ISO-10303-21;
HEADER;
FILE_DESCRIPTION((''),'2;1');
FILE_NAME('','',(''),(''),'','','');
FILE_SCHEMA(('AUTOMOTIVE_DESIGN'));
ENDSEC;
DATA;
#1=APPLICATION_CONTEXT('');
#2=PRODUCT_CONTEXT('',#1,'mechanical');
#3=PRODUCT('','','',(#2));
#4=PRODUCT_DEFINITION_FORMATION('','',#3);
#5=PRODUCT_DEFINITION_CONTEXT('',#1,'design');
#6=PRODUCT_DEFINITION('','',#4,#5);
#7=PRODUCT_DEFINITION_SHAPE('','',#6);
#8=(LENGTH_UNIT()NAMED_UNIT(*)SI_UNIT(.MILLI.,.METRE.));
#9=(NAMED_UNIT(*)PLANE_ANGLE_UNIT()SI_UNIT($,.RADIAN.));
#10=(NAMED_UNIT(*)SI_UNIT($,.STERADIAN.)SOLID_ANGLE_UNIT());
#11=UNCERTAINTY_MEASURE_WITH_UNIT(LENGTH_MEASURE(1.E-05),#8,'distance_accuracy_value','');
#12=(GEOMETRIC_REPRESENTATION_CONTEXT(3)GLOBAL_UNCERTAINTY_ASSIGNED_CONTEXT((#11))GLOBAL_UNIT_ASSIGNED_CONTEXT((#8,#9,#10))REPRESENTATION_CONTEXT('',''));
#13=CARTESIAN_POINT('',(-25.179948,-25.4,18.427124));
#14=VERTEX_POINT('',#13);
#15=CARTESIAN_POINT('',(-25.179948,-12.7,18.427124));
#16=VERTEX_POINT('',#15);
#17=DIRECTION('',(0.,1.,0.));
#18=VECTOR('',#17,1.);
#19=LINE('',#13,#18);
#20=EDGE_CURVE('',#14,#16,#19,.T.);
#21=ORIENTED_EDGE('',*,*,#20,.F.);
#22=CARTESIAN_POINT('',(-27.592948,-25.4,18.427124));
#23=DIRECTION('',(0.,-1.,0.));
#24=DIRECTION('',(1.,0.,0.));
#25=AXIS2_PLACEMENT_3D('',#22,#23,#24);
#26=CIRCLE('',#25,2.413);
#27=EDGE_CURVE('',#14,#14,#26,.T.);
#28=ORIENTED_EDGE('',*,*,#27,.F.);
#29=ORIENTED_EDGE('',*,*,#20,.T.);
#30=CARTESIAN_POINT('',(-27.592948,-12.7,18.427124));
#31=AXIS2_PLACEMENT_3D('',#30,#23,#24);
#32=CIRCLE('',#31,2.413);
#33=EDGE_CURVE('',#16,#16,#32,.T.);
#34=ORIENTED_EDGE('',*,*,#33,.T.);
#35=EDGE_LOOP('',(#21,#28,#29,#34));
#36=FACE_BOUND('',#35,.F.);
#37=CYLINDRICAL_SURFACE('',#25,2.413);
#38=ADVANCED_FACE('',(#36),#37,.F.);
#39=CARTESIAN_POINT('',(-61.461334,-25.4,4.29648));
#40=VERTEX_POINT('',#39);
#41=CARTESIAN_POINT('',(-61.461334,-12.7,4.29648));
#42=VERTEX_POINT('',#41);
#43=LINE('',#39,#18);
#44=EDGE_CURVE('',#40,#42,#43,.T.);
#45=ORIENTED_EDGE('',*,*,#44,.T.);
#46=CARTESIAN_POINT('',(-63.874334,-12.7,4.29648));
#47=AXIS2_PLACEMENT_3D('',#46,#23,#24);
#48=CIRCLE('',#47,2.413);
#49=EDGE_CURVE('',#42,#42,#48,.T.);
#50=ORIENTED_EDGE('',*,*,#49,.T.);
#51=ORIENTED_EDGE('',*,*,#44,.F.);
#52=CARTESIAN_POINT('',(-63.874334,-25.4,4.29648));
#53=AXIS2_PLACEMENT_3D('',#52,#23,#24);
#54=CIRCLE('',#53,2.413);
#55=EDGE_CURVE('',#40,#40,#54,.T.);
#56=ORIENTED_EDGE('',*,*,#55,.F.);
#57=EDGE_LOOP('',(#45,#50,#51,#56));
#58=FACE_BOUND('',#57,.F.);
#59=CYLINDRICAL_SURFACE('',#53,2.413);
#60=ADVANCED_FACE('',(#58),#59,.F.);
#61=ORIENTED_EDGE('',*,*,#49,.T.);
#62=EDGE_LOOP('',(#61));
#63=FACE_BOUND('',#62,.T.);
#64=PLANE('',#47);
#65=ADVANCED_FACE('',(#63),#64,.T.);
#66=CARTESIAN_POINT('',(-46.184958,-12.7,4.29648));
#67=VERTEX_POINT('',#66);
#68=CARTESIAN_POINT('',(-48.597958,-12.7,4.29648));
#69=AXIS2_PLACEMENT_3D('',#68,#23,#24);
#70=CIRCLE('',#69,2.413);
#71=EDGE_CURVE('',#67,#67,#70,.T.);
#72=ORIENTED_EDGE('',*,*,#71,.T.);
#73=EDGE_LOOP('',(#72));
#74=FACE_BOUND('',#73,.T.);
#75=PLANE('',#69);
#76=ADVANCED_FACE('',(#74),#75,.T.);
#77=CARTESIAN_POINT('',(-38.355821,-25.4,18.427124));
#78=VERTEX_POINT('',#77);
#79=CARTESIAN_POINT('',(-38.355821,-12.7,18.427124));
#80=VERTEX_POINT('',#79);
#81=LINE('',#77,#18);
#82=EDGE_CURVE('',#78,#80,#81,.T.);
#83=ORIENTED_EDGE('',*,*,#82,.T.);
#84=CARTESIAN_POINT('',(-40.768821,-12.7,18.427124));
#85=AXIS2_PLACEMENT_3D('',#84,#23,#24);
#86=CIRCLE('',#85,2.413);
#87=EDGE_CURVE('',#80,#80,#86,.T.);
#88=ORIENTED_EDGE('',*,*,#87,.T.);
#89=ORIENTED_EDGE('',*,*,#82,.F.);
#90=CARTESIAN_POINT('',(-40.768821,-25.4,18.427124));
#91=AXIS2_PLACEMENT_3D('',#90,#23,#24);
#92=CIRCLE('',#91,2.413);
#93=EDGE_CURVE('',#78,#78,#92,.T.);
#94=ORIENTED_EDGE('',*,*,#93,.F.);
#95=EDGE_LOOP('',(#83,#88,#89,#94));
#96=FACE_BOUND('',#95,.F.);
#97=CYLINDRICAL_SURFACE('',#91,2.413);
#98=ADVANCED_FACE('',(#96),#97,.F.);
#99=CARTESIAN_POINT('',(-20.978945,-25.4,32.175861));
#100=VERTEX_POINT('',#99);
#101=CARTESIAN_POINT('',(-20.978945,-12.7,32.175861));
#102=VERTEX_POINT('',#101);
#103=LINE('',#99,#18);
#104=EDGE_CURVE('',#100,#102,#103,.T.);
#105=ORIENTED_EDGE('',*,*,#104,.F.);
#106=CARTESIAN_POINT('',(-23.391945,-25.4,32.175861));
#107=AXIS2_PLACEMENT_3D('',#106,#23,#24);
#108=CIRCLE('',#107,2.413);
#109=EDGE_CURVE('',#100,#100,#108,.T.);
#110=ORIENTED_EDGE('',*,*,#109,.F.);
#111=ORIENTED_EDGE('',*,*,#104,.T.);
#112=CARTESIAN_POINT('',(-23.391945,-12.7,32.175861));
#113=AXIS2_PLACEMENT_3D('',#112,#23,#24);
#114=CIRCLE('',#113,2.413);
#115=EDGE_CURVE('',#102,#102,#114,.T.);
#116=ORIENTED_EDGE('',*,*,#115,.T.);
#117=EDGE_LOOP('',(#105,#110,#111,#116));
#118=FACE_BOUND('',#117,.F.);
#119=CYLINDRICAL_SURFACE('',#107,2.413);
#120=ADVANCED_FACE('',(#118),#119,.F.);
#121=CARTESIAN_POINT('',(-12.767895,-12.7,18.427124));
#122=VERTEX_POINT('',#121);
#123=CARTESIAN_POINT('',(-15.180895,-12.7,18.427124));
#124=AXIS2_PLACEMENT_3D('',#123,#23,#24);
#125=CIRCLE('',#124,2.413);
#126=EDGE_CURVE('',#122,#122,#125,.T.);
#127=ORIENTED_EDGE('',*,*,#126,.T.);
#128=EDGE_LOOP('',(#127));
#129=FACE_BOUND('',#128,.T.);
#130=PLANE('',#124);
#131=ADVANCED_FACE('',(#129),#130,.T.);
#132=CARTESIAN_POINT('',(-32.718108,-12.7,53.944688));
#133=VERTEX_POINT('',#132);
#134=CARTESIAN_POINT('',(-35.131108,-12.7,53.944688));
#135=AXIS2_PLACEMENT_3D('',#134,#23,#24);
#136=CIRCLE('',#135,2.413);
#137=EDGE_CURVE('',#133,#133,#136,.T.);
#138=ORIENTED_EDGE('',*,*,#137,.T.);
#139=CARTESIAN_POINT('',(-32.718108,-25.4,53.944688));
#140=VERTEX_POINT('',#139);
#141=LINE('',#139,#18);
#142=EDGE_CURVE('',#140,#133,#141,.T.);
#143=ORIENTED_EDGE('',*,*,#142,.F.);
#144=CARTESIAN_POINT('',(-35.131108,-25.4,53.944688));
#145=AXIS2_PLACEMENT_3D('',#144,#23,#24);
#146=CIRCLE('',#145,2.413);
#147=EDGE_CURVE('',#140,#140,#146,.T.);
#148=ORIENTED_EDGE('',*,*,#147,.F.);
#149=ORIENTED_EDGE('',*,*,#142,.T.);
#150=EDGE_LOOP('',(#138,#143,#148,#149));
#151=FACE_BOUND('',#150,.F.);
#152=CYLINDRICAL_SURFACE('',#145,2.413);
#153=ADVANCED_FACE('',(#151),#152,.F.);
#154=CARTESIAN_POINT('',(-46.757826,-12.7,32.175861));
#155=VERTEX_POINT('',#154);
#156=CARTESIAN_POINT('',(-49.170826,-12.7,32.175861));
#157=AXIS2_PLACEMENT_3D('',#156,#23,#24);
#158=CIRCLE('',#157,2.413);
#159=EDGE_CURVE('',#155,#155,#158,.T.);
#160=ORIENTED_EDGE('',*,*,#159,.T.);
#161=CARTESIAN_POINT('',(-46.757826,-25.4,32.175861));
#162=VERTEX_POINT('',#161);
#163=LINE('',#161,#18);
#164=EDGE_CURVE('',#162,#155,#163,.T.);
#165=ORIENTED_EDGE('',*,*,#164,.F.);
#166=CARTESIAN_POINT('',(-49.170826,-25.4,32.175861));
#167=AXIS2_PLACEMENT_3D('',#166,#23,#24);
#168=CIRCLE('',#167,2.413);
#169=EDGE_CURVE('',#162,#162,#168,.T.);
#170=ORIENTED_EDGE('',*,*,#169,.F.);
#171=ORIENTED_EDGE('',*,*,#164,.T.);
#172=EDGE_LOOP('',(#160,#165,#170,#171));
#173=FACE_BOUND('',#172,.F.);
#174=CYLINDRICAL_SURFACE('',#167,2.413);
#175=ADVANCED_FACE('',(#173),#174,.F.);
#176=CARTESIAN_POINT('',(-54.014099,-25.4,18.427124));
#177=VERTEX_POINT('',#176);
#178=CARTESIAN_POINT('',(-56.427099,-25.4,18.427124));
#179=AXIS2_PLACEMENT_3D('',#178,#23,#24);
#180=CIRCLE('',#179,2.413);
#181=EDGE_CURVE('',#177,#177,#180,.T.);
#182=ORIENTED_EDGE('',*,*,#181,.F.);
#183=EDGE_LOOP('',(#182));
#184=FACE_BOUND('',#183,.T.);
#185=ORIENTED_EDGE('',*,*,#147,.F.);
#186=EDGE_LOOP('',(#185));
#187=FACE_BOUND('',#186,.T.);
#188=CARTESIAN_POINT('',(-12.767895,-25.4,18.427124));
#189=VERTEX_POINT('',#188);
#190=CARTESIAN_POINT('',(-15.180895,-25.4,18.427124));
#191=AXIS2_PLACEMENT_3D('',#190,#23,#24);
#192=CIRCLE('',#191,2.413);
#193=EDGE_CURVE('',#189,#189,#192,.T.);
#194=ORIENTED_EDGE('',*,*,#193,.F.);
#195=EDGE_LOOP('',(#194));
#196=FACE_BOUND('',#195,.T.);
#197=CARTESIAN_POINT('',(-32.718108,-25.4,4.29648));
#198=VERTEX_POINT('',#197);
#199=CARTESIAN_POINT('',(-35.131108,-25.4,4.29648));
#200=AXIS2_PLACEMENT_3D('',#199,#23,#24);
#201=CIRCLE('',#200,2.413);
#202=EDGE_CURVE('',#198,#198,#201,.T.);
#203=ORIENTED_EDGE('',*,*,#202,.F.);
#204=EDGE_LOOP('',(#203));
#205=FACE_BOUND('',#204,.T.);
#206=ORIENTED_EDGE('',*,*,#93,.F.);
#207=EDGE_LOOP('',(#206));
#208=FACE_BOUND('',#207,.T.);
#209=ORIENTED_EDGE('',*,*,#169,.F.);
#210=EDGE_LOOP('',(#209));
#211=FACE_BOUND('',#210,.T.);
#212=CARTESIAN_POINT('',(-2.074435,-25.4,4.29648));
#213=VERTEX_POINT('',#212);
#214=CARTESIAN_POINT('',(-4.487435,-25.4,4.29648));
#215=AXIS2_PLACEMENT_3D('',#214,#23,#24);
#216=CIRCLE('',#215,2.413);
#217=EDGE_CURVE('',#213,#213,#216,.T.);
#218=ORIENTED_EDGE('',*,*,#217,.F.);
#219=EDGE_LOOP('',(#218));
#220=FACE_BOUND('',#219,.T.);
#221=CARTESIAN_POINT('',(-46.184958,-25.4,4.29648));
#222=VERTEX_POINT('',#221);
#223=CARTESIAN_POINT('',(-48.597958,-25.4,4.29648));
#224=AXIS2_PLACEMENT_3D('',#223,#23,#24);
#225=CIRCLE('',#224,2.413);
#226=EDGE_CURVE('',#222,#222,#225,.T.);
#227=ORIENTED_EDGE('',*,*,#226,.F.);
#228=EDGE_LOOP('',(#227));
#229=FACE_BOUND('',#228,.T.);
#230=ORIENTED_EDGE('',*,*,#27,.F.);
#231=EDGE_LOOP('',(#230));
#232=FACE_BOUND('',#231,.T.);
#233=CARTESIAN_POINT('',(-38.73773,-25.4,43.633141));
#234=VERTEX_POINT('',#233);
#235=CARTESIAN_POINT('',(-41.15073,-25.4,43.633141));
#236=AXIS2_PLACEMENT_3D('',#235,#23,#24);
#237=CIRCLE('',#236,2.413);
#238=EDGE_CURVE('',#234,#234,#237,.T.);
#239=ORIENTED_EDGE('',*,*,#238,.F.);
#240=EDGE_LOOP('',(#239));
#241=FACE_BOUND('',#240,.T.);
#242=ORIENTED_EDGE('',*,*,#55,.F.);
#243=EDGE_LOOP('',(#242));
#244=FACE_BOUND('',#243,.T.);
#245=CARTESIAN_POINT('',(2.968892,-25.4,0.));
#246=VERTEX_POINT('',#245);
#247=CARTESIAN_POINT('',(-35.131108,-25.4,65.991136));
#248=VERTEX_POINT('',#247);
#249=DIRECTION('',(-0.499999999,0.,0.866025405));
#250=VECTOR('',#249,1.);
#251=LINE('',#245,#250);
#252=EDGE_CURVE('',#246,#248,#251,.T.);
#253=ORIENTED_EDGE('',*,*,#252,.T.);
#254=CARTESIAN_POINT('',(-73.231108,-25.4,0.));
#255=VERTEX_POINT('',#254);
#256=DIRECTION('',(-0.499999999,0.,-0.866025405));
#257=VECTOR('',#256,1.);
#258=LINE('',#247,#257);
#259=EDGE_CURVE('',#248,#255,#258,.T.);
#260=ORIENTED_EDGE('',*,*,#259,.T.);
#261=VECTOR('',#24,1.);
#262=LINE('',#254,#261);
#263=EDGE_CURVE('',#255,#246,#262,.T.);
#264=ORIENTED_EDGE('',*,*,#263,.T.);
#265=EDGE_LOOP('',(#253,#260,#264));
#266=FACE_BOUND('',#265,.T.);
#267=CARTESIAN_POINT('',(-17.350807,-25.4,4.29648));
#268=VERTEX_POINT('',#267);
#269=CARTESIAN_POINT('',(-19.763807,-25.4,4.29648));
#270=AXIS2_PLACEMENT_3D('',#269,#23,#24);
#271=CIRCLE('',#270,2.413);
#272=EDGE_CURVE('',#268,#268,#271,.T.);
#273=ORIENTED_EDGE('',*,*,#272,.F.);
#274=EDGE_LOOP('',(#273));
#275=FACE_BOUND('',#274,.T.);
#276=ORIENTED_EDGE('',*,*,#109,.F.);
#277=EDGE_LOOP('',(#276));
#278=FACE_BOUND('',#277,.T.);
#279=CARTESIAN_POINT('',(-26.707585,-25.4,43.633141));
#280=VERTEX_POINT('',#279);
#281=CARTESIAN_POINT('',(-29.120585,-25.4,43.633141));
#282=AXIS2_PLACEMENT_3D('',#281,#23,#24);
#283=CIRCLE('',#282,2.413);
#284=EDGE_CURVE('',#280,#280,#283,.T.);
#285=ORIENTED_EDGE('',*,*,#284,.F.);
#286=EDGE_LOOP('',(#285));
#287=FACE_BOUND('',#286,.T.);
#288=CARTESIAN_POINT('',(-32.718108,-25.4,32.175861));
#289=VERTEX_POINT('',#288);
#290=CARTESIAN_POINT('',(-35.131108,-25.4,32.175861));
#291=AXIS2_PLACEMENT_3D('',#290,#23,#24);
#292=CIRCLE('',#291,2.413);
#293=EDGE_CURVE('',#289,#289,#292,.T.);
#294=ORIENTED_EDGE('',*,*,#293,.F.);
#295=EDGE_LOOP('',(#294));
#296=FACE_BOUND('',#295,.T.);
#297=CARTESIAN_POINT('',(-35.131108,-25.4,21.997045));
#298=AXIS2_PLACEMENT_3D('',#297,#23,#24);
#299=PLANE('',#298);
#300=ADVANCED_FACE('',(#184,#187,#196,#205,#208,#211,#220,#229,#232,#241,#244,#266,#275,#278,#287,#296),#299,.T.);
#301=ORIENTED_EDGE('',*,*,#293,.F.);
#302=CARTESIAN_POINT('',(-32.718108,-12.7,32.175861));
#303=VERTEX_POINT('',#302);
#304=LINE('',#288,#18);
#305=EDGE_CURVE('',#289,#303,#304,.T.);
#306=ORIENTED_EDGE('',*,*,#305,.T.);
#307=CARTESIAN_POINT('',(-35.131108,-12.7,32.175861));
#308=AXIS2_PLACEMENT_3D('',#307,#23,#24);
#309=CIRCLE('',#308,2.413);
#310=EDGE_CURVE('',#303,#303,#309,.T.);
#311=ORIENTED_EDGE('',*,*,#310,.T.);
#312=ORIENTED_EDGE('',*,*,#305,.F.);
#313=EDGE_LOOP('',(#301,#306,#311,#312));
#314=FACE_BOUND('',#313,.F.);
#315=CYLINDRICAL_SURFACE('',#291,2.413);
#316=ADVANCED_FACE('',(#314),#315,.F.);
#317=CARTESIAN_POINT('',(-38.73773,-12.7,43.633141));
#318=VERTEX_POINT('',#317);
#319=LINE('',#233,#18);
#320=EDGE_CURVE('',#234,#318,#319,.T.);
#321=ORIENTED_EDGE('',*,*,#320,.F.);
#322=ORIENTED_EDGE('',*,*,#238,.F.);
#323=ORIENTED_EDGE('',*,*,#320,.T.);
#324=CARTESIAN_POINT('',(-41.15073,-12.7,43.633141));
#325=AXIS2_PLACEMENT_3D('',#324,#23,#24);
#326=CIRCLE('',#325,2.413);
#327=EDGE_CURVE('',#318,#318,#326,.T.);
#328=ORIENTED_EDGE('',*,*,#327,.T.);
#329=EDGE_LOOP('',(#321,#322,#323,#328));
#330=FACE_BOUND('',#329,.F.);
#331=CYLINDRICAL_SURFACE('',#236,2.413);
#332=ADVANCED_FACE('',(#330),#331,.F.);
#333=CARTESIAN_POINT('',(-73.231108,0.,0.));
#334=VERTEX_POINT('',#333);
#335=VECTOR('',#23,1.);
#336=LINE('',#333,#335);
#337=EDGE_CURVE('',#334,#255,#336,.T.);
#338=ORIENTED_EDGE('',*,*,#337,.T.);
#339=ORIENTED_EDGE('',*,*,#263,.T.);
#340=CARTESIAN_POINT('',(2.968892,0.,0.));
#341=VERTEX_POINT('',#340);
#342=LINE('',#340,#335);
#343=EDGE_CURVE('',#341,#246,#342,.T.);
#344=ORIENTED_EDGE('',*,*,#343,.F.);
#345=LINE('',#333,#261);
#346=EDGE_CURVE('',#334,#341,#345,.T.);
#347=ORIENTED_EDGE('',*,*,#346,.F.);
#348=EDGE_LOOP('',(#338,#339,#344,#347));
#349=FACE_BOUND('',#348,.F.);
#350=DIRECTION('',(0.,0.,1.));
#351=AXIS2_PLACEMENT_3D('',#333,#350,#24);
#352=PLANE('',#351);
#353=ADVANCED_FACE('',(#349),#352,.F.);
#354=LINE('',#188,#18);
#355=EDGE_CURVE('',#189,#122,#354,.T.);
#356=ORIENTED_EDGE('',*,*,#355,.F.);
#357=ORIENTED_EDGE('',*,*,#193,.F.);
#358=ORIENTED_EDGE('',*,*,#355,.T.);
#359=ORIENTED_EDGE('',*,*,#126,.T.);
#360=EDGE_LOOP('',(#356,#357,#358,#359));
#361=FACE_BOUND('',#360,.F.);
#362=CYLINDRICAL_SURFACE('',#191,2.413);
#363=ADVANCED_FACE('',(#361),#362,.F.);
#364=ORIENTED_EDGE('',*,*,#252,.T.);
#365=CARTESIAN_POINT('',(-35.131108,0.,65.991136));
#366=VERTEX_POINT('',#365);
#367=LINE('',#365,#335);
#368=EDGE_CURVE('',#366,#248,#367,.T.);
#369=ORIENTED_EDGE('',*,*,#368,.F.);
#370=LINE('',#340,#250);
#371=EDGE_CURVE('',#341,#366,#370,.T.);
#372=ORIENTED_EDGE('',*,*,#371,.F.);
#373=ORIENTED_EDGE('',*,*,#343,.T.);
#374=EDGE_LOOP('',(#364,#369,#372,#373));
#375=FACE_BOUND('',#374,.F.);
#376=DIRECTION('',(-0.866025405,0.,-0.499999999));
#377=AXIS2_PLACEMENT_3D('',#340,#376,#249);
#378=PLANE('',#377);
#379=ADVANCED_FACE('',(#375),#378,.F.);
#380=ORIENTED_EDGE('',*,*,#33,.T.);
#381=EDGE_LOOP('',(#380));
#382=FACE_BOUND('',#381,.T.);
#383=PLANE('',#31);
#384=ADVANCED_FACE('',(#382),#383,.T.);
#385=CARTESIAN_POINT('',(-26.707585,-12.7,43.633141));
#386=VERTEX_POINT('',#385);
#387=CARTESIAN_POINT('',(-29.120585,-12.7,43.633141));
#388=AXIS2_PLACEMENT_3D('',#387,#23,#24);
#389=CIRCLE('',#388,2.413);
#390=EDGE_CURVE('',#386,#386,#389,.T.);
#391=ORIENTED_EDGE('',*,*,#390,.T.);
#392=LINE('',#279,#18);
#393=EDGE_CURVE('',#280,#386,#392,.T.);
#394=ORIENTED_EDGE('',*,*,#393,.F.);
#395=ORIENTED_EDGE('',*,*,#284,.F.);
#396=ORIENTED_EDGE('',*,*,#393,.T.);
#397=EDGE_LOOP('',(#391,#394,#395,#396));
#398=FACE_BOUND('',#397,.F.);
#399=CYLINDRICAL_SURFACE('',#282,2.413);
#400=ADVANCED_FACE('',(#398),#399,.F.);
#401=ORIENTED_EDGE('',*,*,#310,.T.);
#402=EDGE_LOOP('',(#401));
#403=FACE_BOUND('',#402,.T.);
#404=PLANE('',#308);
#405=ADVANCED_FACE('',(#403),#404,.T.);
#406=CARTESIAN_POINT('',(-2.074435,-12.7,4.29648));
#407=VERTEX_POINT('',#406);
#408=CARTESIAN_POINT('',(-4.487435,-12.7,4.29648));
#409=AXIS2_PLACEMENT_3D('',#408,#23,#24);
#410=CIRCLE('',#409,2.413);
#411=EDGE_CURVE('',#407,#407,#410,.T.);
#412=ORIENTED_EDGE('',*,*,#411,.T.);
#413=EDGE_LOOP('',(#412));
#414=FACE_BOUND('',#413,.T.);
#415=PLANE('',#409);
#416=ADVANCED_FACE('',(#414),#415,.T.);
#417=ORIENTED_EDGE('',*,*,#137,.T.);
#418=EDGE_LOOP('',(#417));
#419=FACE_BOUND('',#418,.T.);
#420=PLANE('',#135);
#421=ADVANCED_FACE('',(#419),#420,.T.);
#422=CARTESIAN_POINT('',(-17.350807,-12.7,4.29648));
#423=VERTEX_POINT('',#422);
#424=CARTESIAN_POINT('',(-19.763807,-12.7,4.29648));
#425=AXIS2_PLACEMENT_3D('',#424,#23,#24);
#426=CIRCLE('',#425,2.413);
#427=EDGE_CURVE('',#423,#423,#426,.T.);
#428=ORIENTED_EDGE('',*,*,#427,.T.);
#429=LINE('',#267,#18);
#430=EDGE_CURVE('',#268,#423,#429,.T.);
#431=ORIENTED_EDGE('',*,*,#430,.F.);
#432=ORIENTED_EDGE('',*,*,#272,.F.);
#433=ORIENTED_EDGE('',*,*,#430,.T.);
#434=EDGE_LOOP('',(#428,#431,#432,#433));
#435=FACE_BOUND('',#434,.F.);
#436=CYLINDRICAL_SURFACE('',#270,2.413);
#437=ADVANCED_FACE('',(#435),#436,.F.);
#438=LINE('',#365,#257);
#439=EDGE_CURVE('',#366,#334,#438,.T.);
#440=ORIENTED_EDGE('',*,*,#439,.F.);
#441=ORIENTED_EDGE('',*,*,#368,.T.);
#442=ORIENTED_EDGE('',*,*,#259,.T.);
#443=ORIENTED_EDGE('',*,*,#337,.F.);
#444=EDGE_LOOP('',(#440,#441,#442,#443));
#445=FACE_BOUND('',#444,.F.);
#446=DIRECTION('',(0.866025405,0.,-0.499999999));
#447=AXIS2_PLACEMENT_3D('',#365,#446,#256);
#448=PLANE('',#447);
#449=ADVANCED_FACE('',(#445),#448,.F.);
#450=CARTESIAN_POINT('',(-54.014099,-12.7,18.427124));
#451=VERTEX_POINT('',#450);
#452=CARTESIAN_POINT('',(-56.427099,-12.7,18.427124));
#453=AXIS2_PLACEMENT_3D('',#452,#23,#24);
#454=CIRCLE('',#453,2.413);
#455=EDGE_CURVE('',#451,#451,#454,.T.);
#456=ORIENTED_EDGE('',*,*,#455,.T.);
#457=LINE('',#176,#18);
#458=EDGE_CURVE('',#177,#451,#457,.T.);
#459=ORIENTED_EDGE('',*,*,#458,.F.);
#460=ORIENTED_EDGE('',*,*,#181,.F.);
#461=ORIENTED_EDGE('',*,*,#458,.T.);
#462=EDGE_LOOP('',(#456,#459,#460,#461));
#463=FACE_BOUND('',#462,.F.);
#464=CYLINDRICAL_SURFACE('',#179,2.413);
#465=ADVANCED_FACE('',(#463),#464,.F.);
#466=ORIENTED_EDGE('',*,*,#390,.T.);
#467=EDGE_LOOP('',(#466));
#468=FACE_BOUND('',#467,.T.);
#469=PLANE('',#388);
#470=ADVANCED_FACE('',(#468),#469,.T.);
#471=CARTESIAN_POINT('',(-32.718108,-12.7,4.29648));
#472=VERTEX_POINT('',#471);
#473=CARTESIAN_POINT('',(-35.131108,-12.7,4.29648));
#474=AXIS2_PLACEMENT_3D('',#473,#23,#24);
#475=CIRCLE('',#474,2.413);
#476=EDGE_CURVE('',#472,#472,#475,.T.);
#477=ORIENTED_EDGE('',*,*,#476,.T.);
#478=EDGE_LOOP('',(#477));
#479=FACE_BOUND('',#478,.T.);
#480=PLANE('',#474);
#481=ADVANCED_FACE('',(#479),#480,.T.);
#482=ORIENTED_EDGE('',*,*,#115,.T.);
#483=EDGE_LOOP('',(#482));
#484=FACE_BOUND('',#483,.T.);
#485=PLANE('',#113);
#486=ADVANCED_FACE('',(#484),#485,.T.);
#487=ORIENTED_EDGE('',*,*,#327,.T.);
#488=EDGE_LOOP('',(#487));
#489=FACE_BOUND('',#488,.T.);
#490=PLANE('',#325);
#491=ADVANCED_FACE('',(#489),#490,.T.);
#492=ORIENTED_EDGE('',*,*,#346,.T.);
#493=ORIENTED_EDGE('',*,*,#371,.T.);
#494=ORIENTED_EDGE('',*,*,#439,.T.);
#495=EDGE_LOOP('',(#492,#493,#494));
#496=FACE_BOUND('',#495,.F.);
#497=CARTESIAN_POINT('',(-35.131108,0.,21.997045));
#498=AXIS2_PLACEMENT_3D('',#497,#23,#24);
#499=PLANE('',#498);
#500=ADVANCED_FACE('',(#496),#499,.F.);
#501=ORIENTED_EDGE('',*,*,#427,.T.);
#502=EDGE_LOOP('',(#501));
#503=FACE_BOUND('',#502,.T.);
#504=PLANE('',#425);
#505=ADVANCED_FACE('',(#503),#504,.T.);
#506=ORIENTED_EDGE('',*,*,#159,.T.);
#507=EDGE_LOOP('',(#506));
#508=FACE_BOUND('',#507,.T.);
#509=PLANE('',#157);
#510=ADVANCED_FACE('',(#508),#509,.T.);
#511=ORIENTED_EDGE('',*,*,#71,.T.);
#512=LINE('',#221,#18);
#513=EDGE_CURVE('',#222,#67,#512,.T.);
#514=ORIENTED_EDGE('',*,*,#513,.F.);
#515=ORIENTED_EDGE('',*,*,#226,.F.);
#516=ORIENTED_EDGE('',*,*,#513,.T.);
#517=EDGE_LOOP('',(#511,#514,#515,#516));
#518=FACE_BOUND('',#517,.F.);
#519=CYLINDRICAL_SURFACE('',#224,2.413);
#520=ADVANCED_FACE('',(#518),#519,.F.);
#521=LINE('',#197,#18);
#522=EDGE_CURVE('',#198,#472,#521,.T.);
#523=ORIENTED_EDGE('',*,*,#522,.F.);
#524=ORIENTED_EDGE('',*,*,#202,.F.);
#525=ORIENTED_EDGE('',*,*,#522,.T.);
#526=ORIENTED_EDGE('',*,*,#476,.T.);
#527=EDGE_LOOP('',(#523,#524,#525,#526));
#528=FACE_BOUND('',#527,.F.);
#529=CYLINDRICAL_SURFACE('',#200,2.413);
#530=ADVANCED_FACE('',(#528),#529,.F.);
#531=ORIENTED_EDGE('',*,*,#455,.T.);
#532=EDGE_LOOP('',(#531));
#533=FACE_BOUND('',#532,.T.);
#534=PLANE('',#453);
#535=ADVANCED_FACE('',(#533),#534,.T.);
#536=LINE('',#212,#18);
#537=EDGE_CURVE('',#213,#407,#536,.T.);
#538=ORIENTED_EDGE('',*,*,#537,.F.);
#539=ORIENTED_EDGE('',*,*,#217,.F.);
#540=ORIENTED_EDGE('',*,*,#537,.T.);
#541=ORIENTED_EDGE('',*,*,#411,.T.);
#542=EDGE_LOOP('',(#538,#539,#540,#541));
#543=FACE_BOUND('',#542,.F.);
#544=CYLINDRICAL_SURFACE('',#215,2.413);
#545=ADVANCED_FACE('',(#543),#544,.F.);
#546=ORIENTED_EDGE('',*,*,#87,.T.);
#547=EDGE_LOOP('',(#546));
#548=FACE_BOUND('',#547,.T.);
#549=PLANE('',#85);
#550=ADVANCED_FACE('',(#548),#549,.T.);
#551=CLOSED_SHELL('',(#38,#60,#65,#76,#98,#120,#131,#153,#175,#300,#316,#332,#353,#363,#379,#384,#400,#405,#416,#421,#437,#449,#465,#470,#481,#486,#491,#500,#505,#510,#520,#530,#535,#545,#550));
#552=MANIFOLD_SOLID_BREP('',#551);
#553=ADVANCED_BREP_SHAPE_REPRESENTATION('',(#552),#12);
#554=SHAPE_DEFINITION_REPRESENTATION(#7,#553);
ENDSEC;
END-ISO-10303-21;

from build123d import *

# Parameters (mm, degrees)
F1_DEPTH = 25.4
F2_R     = 2.413
F3_DEPTH = 12.7
F4_R     = 2.413
F5_DEPTH = 12.7


with BuildPart() as f1:
    # F0 (on Front) → F1 (new body)
    with BuildSketch(Plane.XZ):
        Polygon((-35.131108, 65.991136), (-73.231108, 0), (2.968892, 0), align=None)
    extrude(amount=F1_DEPTH)

    # F2 (on face) → F3 (cut)
    with BuildSketch(Plane.XZ.offset(25.4)):
        with Locations((-63.874334, 4.29648)):
            Circle(F2_R)
        with Locations((-48.597958, 4.29648)):
            Circle(F2_R)
        with Locations((-35.131108, 4.29648)):
            Circle(F2_R)
        with Locations((-19.763807, 4.29648)):
            Circle(F2_R)
        with Locations((-4.487435, 4.29648)):
            Circle(F2_R)
    extrude(amount=-F3_DEPTH, mode=Mode.SUBTRACT)

    # F4 (on face) → F5 (cut)
    with BuildSketch(Plane.XZ.offset(25.4)):
        with Locations((-56.427099, 18.427124)):
            Circle(F4_R)
        with Locations((-40.768821, 18.427124)):
            Circle(F4_R)
        with Locations((-27.592948, 18.427124)):
            Circle(F4_R)
        with Locations((-15.180895, 18.427124)):
            Circle(F4_R)
        with Locations((-23.391945, 32.175861)):
            Circle(F4_R)
        with Locations((-35.131108, 32.175861)):
            Circle(F4_R)
        with Locations((-49.170826, 32.175861)):
            Circle(F4_R)
        with Locations((-41.15073, 43.633141)):
            Circle(F4_R)
        with Locations((-29.120585, 43.633141)):
            Circle(F4_R)
        with Locations((-35.131108, 53.944688)):
            Circle(F4_R)
    extrude(amount=-F5_DEPTH, mode=Mode.SUBTRACT)


solid = f1.part
